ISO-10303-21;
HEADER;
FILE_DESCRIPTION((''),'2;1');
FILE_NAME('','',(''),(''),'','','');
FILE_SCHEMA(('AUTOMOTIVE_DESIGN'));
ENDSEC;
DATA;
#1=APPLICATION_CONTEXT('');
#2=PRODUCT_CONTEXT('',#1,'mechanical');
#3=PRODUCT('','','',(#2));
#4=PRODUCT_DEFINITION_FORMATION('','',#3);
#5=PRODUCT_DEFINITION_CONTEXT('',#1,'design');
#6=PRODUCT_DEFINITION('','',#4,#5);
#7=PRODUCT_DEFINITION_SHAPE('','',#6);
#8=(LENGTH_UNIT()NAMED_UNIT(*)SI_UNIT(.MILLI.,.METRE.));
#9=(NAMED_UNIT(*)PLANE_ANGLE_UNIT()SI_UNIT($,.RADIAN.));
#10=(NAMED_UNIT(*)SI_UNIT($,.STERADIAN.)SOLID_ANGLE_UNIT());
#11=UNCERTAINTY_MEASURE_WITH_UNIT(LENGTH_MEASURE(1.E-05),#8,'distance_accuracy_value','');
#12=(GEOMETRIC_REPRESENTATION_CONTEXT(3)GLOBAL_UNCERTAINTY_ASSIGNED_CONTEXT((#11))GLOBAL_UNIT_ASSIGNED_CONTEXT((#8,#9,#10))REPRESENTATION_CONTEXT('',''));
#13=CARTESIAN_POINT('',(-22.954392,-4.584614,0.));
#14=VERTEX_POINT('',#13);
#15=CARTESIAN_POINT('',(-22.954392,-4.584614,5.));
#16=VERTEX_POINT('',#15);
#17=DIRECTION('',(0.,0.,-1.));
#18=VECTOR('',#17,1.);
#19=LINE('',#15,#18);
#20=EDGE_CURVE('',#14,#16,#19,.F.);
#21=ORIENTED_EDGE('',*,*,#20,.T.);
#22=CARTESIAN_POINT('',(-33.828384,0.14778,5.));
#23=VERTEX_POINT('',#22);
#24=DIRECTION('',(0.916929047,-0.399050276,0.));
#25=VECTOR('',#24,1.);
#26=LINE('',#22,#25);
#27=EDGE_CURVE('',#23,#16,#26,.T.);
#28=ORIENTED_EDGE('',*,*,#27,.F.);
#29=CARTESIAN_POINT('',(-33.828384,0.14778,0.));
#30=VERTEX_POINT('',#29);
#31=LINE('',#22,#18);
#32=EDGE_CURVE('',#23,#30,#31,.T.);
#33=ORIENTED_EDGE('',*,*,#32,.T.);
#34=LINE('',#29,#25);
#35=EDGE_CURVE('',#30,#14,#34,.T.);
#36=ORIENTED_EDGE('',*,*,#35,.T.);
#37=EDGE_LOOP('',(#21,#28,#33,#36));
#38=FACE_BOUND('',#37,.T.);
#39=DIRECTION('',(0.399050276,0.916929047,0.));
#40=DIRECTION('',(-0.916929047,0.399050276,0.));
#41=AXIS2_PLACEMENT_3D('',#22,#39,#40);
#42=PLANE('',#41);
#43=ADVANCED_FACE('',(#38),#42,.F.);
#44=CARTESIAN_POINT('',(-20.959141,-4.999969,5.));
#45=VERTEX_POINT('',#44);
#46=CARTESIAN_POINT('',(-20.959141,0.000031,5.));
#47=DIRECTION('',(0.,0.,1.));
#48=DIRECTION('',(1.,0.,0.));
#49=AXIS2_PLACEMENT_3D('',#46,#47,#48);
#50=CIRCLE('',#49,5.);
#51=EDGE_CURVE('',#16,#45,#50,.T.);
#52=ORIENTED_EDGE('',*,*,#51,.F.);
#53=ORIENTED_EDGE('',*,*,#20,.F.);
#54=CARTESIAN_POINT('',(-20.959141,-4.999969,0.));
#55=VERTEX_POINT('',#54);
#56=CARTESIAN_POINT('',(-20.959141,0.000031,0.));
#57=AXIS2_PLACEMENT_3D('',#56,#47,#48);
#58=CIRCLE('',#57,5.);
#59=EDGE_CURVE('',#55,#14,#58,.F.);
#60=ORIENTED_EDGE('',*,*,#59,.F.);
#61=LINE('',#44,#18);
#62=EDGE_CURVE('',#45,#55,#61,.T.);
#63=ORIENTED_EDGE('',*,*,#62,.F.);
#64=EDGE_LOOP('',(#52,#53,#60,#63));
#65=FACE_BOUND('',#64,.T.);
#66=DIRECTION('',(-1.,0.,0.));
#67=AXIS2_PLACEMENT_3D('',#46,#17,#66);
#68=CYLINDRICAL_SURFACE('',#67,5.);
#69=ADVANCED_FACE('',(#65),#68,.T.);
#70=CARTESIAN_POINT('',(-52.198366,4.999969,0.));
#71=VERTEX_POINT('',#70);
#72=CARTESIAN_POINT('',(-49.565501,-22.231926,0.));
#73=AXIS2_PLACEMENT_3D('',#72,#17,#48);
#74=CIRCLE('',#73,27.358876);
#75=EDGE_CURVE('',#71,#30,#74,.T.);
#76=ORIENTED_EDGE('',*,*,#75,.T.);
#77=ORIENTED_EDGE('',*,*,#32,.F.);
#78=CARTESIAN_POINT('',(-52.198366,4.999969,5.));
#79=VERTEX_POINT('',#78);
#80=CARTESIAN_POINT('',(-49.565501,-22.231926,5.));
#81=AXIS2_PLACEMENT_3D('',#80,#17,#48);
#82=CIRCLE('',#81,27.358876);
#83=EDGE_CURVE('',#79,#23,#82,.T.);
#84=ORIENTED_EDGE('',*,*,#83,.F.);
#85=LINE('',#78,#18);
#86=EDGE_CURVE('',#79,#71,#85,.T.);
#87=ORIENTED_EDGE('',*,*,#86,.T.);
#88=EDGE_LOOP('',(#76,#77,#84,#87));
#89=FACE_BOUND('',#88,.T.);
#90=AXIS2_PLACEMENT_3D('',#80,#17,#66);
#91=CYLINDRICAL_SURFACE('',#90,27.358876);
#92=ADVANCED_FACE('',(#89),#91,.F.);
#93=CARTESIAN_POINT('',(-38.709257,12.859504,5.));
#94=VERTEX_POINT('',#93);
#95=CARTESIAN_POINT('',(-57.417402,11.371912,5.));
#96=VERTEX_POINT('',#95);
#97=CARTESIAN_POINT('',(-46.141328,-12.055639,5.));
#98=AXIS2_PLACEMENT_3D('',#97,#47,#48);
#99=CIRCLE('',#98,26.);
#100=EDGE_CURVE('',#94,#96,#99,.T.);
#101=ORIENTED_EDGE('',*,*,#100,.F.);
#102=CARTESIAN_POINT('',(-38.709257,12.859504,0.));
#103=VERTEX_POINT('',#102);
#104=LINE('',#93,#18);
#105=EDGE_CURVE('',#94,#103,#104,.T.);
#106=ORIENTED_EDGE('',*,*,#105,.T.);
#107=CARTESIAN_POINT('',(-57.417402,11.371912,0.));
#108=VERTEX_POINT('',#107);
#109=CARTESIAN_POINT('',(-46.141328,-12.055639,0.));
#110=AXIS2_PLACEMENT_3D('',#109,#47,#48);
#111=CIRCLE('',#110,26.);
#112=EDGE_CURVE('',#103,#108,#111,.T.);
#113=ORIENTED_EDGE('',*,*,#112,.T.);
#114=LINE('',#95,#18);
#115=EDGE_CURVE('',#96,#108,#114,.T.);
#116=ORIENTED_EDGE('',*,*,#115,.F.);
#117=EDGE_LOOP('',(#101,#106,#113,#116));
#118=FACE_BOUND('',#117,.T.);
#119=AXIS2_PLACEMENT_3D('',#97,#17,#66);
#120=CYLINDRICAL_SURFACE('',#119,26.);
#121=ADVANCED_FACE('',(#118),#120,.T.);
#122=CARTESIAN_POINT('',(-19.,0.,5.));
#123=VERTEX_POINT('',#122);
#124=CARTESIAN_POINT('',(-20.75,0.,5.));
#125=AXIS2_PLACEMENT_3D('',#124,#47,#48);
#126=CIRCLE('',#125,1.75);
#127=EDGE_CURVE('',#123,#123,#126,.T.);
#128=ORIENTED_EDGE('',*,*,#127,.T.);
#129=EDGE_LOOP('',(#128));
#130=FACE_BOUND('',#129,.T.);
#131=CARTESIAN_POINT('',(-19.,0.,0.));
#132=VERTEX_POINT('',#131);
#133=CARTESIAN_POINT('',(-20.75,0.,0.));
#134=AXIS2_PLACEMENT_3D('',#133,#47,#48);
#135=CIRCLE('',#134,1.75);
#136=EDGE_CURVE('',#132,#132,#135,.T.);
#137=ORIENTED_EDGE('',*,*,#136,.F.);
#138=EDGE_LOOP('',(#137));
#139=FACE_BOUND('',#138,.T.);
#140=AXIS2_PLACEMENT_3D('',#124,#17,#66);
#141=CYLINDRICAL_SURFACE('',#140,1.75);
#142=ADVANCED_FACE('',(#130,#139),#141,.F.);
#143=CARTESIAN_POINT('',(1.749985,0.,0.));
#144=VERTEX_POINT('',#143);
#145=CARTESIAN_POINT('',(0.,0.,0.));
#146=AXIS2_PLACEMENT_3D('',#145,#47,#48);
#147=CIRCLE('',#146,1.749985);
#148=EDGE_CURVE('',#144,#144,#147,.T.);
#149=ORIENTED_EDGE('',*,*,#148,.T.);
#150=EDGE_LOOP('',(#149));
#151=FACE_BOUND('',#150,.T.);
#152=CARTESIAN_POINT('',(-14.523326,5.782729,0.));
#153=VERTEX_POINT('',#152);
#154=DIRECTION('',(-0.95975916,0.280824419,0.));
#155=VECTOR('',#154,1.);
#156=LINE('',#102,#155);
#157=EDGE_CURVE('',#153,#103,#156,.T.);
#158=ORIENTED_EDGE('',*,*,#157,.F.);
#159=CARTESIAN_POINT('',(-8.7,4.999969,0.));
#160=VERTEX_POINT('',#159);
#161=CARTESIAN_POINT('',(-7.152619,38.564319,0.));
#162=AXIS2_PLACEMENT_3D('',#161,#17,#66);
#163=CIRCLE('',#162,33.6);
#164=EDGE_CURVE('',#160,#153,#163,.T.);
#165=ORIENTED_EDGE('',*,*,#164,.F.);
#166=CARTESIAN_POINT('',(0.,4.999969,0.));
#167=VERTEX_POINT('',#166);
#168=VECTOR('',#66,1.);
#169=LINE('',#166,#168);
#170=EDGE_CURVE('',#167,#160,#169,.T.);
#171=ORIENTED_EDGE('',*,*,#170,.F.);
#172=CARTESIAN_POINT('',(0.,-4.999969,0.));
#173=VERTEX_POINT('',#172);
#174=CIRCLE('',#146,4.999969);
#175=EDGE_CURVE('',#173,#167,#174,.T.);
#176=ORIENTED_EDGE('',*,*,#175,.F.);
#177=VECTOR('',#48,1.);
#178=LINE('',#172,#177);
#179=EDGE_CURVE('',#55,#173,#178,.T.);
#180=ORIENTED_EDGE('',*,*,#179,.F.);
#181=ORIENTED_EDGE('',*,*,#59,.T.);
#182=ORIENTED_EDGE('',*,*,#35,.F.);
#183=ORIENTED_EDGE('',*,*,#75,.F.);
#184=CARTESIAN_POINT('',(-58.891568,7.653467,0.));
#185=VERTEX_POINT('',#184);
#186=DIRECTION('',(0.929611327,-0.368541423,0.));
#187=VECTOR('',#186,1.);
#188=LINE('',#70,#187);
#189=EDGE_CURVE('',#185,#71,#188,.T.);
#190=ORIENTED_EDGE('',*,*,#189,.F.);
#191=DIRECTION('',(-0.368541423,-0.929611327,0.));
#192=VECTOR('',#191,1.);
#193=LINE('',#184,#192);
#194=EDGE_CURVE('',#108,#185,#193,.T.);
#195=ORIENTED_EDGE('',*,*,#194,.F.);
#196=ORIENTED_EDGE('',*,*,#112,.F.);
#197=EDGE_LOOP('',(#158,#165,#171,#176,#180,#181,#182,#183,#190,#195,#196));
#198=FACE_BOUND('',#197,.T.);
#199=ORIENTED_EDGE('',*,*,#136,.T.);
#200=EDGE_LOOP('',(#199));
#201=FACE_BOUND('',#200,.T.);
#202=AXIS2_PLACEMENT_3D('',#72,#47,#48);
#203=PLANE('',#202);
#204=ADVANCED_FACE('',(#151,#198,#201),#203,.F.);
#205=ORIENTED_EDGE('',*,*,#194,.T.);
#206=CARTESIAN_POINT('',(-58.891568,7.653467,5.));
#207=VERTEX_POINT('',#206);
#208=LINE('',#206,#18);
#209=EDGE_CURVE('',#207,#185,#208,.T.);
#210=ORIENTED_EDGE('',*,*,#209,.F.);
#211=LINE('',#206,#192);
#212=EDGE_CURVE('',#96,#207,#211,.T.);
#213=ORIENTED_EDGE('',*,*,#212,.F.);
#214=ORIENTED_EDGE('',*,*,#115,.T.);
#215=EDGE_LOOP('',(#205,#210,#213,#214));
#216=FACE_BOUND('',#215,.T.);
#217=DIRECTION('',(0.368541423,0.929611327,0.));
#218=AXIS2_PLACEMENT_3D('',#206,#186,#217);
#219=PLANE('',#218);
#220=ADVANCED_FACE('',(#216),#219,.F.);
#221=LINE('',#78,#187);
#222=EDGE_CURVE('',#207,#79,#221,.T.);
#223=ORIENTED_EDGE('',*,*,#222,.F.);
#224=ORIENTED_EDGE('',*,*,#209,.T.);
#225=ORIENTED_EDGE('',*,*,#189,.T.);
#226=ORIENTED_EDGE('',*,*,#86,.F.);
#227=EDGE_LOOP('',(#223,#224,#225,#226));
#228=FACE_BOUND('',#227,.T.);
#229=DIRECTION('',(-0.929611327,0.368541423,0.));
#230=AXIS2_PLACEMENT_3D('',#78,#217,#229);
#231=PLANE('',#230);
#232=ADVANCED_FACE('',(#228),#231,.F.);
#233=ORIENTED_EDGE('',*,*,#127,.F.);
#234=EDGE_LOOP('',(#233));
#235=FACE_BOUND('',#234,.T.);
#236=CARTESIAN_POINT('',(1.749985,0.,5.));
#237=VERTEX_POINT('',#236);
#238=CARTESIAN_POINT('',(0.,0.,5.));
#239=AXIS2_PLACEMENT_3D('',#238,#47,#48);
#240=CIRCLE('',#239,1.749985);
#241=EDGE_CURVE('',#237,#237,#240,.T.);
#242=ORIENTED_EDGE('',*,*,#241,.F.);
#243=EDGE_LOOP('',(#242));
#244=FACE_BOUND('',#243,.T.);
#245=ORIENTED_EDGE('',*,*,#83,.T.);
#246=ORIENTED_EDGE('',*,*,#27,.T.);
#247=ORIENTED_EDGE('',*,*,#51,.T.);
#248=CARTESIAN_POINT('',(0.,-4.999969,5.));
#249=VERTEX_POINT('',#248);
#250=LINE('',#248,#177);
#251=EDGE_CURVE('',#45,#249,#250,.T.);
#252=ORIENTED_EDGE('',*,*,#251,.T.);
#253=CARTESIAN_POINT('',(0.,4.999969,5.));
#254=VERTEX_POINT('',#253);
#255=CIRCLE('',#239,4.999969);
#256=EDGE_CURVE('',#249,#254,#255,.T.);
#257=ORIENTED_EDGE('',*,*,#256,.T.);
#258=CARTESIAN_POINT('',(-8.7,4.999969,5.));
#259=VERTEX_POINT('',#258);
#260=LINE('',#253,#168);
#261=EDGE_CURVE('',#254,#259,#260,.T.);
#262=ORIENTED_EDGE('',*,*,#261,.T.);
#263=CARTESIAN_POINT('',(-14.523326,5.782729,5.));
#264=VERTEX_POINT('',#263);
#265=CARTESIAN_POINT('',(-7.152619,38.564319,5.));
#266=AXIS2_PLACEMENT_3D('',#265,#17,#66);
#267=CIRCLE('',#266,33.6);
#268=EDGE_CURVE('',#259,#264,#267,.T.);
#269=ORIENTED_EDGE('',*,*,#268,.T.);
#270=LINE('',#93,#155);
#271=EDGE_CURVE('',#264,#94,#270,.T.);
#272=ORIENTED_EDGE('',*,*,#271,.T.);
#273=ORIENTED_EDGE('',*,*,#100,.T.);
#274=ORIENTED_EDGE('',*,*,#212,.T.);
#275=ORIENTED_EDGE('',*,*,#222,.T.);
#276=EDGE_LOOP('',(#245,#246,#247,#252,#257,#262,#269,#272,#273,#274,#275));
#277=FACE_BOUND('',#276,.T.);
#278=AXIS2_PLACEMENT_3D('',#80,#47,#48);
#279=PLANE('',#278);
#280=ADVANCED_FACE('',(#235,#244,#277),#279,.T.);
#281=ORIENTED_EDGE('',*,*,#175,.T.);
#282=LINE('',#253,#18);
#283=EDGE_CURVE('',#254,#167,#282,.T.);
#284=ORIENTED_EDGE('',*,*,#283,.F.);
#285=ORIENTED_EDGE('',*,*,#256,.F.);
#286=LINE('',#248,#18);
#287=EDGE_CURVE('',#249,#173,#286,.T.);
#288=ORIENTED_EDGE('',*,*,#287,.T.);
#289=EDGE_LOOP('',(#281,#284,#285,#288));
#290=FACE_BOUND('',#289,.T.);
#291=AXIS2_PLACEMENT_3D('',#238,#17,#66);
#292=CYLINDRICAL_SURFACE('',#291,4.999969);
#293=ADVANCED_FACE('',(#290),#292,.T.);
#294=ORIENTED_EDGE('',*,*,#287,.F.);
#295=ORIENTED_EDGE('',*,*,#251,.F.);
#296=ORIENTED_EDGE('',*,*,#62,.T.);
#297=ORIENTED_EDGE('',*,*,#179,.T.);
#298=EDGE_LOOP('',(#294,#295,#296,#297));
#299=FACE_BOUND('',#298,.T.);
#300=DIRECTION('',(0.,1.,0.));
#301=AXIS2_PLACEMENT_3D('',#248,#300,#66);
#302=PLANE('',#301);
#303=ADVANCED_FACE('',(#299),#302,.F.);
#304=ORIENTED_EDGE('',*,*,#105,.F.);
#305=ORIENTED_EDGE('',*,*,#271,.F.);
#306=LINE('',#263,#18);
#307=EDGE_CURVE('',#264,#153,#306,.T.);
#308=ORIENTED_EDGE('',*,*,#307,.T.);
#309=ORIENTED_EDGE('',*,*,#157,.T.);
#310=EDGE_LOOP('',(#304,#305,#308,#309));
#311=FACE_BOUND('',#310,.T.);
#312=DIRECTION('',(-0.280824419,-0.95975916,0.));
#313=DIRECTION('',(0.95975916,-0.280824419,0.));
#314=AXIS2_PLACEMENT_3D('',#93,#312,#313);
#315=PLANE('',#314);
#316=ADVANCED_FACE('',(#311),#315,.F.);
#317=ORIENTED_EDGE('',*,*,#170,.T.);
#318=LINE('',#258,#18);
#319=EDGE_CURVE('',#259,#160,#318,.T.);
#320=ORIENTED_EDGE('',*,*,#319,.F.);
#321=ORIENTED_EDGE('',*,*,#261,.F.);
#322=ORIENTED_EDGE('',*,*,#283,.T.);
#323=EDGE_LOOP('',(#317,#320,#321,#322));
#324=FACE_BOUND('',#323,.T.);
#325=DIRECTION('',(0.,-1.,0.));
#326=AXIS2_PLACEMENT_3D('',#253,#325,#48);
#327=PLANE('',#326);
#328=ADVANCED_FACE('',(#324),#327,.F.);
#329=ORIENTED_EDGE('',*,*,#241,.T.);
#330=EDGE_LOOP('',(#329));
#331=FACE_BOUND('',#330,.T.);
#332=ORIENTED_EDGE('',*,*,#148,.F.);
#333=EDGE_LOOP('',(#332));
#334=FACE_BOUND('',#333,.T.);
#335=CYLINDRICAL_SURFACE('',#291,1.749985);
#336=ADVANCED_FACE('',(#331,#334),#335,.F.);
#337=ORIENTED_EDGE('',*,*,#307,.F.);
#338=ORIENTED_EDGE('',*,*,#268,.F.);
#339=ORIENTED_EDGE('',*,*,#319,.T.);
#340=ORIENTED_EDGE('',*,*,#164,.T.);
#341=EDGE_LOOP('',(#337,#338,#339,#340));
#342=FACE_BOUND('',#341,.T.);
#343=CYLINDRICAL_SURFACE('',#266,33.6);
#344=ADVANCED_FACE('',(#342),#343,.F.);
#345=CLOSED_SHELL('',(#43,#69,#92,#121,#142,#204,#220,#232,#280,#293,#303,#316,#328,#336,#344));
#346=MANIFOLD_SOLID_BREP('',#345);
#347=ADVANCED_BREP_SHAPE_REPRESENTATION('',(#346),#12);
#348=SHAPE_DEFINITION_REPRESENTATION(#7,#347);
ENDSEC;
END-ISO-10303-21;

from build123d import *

# Parameters (mm, degrees)
SKETCH2_R           = 1.749985299
SKETCH2_R_2         = 1.75
BOSS_EXTRUDE1_DEPTH = 5
FILLET1_R           = 5


with BuildPart() as part:
    # Sketch2 → Boss-Extrude1 (new body)
    with BuildSketch(Plane.XY):
        with BuildLine():
            Line((-33.828383846, 0.147779708), (-21.999999142, -4.999968857))
            Line((-21.999999142, -4.999968857), (0, -4.999968857))
            ThreePointArc((0, -4.999968857), (4.999968857, 0), (0, 4.999968857))
            Line((0, 4.999968857), (-8.7, 4.999968857))
            ThreePointArc((-8.7, 4.999968857), (-11.628806388, 5.263812443), (-14.523326425, 5.782728669))
            Line((-14.523326425, 5.782728669), (-38.709257265, 12.859504023))
            ThreePointArc((-38.709257265, 12.859504023), (-48.20223144, 13.862553465), (-57.417402301, 11.371912412))
            Line((-57.417402301, 11.371912412), (-58.891567994, 7.653467104))
            Line((-58.891567994, 7.653467104), (-52.198366439, 4.999968857))
            ThreePointArc((-52.198366439, 4.999968857), (-42.578635596, 4.219761872), (-33.828383846, 0.147779708))
        make_face()
        Circle(SKETCH2_R, mode=Mode.SUBTRACT)
        with Locations((-20.75, 0)):
            Circle(SKETCH2_R_2, mode=Mode.SUBTRACT)
    extrude(amount=BOSS_EXTRUDE1_DEPTH)

    # Fillet1
    fillet1_edges = [part.edges().sort_by_distance(p)[0] for p in [
        (-21.999999142, -4.999968857, 2.5),
    ]]
    fillet(fillet1_edges, radius=FILLET1_R)


solid = part.part
